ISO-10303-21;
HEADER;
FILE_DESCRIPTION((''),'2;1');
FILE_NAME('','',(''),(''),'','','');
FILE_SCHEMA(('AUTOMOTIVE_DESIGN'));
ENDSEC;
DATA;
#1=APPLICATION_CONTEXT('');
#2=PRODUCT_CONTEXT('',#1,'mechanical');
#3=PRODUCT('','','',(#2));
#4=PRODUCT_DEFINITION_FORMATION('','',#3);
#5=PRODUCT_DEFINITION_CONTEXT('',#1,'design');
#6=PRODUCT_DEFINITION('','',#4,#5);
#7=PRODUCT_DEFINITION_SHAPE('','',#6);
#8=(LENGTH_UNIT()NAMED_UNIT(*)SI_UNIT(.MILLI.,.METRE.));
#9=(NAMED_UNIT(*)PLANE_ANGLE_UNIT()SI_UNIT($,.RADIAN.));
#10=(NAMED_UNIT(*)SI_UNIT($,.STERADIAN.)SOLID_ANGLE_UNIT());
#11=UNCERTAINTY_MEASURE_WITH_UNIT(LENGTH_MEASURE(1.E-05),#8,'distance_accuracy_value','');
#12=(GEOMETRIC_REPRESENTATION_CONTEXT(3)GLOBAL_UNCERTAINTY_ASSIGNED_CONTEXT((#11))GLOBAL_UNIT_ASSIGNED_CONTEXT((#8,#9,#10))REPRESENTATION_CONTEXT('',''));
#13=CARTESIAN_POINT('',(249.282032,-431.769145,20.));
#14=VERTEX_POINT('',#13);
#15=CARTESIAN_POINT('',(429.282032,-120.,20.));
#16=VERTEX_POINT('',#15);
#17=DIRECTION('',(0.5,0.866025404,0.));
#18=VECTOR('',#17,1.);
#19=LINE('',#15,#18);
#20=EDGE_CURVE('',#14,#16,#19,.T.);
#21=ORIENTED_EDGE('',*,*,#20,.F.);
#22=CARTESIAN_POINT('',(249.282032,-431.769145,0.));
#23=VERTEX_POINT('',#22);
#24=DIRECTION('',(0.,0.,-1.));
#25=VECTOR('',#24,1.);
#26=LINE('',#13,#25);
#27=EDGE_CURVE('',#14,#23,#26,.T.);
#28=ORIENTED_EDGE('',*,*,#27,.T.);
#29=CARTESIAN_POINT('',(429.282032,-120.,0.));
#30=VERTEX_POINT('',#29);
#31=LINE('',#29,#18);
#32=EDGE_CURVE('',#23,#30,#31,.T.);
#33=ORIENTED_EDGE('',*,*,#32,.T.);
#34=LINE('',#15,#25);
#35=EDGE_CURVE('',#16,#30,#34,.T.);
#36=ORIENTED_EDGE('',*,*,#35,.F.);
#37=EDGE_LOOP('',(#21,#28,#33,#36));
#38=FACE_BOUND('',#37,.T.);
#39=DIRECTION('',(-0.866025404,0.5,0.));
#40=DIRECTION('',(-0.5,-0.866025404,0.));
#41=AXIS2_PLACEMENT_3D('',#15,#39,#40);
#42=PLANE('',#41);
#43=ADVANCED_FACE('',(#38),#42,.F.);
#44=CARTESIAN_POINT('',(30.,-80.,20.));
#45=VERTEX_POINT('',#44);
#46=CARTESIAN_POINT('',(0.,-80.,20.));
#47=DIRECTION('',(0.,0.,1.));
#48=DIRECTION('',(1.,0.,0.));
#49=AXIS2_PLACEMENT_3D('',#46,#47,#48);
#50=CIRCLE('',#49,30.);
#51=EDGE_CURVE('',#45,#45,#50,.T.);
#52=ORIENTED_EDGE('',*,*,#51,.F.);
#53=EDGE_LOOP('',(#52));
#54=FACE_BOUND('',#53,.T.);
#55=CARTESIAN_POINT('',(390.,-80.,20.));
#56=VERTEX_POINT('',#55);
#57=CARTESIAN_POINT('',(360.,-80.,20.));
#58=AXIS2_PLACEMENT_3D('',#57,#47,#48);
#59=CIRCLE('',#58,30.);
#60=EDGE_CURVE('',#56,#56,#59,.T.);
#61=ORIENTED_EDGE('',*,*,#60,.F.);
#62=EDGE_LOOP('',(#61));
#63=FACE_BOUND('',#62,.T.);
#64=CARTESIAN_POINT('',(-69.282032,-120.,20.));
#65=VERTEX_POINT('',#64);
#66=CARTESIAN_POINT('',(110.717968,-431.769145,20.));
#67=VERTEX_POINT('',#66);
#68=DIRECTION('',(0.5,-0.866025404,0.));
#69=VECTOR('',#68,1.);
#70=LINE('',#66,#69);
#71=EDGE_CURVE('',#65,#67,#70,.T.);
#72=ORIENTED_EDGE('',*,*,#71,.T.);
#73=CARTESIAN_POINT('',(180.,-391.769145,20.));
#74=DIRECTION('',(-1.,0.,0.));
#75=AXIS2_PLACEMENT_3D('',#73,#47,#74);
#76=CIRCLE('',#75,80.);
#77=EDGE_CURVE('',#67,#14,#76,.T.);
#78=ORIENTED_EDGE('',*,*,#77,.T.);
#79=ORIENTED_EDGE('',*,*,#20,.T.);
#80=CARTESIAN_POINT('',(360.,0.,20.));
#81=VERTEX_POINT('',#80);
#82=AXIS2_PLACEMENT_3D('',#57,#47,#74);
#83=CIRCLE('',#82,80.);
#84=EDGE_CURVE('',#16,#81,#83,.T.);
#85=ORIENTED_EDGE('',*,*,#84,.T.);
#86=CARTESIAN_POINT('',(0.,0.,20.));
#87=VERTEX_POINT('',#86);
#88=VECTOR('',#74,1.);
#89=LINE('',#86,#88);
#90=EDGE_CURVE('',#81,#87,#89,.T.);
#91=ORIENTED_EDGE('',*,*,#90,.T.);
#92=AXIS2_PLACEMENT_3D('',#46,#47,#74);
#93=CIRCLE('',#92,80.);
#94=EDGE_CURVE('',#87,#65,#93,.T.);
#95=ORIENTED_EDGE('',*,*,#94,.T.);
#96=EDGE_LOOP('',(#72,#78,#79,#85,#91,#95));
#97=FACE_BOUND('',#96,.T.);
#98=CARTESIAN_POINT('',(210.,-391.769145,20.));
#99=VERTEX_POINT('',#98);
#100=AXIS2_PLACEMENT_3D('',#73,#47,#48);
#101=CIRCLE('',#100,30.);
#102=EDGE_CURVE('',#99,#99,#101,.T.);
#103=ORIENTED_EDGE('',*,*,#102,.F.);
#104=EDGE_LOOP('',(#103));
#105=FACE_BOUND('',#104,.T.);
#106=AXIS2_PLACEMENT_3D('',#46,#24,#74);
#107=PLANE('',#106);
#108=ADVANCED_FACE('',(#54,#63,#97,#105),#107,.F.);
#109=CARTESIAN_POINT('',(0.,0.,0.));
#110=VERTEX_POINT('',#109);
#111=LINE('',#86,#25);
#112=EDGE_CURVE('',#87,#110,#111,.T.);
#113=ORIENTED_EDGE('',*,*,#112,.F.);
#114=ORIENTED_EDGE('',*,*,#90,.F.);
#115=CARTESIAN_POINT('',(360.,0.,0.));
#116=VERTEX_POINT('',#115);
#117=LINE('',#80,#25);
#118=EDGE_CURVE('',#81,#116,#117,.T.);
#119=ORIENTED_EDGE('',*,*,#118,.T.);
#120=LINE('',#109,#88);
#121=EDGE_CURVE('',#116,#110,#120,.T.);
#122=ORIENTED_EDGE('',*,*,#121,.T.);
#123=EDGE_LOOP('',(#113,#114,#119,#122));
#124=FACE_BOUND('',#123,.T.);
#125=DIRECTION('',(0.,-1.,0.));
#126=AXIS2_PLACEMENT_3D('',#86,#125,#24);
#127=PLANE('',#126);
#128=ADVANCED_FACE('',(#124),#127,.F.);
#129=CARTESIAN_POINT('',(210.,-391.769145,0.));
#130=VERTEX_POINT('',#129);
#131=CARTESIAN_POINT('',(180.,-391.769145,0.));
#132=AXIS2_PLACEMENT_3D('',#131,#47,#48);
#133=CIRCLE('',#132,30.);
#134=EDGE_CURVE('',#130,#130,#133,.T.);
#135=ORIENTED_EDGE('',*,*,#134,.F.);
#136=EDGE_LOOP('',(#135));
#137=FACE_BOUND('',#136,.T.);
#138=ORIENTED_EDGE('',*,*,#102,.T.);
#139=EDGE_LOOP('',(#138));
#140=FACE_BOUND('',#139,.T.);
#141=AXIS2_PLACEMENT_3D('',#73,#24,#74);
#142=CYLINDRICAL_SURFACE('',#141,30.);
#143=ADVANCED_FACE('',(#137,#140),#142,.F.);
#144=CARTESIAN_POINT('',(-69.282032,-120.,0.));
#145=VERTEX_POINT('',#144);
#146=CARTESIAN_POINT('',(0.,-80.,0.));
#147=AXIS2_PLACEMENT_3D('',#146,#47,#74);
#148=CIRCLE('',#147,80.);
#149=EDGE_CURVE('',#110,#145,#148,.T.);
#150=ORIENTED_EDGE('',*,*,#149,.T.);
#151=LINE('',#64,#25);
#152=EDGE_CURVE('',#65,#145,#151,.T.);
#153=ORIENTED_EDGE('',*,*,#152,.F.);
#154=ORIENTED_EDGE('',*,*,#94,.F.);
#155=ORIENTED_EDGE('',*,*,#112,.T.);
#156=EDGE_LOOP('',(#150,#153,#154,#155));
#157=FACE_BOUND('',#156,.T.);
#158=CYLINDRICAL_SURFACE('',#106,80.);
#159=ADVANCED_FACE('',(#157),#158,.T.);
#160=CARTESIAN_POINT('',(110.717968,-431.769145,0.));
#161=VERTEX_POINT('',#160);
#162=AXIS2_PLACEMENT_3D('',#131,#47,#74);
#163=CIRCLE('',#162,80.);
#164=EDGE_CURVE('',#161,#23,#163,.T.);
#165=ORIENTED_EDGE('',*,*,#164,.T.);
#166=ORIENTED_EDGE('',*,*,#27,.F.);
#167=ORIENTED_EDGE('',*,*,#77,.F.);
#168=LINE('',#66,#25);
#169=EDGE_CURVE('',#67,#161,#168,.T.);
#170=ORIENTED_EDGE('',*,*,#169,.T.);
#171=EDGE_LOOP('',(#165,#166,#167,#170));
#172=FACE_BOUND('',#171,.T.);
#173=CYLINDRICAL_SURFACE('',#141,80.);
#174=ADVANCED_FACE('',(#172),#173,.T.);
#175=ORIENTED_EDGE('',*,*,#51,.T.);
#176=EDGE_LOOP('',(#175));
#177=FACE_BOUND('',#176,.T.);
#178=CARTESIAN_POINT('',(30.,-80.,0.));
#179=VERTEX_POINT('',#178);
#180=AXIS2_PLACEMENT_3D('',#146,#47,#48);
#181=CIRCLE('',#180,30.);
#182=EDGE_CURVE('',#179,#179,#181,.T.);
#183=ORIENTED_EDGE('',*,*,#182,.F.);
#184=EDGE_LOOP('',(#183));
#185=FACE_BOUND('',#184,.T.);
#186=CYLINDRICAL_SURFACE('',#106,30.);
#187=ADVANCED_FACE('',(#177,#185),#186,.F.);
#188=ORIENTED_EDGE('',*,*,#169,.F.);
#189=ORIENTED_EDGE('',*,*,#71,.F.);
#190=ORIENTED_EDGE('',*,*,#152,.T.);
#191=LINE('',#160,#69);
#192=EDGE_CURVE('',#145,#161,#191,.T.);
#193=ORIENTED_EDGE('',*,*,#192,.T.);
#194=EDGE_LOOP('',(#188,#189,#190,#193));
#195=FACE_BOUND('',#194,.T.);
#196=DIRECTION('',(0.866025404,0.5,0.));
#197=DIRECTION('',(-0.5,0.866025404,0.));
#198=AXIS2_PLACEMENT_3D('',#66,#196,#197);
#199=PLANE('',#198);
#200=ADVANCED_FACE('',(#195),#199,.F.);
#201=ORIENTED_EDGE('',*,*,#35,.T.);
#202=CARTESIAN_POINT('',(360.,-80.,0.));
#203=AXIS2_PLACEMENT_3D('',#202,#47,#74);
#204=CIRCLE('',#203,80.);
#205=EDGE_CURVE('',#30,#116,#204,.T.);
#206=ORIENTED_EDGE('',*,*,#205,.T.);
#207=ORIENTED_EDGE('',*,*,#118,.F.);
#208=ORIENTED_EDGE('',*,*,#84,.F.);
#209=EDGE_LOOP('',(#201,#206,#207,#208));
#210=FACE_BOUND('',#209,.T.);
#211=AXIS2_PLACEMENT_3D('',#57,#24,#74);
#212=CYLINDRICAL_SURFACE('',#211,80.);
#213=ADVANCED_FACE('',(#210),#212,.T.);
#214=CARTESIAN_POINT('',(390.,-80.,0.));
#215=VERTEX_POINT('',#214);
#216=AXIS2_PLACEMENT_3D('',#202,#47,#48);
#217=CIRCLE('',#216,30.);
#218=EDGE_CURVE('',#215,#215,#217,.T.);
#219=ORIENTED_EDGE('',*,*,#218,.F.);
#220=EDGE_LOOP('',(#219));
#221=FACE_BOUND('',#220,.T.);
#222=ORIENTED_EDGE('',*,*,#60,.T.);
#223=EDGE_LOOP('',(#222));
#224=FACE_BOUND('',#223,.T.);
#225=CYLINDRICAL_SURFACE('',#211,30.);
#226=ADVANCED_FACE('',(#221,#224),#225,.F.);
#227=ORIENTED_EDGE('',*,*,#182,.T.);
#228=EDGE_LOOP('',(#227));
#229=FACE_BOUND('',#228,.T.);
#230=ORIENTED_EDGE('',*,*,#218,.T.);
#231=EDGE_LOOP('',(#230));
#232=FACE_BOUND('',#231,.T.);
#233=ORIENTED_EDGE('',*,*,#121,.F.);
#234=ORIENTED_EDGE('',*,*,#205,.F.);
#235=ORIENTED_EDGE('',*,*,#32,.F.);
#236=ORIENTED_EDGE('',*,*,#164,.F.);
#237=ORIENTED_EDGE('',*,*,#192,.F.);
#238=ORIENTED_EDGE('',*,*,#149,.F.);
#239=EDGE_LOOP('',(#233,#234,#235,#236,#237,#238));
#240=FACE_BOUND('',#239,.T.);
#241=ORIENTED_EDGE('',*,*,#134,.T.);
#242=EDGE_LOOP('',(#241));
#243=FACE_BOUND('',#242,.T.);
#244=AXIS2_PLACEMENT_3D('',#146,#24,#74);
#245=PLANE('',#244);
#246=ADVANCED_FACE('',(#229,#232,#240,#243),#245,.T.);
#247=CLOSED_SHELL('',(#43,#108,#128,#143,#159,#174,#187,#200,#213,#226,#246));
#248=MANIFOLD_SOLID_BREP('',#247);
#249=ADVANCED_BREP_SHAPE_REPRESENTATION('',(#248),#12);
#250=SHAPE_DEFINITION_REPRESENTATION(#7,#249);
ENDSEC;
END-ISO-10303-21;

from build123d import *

# Parameters (mm, degrees)
SKETCH1_R           = 30
BOSS_EXTRUDE1_DEPTH = 20


with BuildPart() as part:
    # Sketch1 → Boss-Extrude1 (new body)
    with BuildSketch(Plane.XY):
        with BuildLine():
            Line((0, 0), (360, 0))
            ThreePointArc((360, 0), (429.282032303, -40), (429.282032303, -120))
            Line((429.282032303, -120), (249.282032303, -431.769145362))
            ThreePointArc((249.282032303, -431.769145362), (180, -471.769145362), (110.717967697, -431.769145362))
            Line((110.717967697, -431.769145362), (-69.282032303, -120))
            ThreePointArc((-69.282032303, -120), (-69.282032303, -40), (0, 0))
        make_face()
        with Locations((0, -80)):
            Circle(SKETCH1_R, mode=Mode.SUBTRACT)
        with Locations((360, -80)):
            Circle(SKETCH1_R, mode=Mode.SUBTRACT)
        with Locations((180, -391.769145362)):
            Circle(SKETCH1_R, mode=Mode.SUBTRACT)
    extrude(amount=BOSS_EXTRUDE1_DEPTH)


solid = part.part
